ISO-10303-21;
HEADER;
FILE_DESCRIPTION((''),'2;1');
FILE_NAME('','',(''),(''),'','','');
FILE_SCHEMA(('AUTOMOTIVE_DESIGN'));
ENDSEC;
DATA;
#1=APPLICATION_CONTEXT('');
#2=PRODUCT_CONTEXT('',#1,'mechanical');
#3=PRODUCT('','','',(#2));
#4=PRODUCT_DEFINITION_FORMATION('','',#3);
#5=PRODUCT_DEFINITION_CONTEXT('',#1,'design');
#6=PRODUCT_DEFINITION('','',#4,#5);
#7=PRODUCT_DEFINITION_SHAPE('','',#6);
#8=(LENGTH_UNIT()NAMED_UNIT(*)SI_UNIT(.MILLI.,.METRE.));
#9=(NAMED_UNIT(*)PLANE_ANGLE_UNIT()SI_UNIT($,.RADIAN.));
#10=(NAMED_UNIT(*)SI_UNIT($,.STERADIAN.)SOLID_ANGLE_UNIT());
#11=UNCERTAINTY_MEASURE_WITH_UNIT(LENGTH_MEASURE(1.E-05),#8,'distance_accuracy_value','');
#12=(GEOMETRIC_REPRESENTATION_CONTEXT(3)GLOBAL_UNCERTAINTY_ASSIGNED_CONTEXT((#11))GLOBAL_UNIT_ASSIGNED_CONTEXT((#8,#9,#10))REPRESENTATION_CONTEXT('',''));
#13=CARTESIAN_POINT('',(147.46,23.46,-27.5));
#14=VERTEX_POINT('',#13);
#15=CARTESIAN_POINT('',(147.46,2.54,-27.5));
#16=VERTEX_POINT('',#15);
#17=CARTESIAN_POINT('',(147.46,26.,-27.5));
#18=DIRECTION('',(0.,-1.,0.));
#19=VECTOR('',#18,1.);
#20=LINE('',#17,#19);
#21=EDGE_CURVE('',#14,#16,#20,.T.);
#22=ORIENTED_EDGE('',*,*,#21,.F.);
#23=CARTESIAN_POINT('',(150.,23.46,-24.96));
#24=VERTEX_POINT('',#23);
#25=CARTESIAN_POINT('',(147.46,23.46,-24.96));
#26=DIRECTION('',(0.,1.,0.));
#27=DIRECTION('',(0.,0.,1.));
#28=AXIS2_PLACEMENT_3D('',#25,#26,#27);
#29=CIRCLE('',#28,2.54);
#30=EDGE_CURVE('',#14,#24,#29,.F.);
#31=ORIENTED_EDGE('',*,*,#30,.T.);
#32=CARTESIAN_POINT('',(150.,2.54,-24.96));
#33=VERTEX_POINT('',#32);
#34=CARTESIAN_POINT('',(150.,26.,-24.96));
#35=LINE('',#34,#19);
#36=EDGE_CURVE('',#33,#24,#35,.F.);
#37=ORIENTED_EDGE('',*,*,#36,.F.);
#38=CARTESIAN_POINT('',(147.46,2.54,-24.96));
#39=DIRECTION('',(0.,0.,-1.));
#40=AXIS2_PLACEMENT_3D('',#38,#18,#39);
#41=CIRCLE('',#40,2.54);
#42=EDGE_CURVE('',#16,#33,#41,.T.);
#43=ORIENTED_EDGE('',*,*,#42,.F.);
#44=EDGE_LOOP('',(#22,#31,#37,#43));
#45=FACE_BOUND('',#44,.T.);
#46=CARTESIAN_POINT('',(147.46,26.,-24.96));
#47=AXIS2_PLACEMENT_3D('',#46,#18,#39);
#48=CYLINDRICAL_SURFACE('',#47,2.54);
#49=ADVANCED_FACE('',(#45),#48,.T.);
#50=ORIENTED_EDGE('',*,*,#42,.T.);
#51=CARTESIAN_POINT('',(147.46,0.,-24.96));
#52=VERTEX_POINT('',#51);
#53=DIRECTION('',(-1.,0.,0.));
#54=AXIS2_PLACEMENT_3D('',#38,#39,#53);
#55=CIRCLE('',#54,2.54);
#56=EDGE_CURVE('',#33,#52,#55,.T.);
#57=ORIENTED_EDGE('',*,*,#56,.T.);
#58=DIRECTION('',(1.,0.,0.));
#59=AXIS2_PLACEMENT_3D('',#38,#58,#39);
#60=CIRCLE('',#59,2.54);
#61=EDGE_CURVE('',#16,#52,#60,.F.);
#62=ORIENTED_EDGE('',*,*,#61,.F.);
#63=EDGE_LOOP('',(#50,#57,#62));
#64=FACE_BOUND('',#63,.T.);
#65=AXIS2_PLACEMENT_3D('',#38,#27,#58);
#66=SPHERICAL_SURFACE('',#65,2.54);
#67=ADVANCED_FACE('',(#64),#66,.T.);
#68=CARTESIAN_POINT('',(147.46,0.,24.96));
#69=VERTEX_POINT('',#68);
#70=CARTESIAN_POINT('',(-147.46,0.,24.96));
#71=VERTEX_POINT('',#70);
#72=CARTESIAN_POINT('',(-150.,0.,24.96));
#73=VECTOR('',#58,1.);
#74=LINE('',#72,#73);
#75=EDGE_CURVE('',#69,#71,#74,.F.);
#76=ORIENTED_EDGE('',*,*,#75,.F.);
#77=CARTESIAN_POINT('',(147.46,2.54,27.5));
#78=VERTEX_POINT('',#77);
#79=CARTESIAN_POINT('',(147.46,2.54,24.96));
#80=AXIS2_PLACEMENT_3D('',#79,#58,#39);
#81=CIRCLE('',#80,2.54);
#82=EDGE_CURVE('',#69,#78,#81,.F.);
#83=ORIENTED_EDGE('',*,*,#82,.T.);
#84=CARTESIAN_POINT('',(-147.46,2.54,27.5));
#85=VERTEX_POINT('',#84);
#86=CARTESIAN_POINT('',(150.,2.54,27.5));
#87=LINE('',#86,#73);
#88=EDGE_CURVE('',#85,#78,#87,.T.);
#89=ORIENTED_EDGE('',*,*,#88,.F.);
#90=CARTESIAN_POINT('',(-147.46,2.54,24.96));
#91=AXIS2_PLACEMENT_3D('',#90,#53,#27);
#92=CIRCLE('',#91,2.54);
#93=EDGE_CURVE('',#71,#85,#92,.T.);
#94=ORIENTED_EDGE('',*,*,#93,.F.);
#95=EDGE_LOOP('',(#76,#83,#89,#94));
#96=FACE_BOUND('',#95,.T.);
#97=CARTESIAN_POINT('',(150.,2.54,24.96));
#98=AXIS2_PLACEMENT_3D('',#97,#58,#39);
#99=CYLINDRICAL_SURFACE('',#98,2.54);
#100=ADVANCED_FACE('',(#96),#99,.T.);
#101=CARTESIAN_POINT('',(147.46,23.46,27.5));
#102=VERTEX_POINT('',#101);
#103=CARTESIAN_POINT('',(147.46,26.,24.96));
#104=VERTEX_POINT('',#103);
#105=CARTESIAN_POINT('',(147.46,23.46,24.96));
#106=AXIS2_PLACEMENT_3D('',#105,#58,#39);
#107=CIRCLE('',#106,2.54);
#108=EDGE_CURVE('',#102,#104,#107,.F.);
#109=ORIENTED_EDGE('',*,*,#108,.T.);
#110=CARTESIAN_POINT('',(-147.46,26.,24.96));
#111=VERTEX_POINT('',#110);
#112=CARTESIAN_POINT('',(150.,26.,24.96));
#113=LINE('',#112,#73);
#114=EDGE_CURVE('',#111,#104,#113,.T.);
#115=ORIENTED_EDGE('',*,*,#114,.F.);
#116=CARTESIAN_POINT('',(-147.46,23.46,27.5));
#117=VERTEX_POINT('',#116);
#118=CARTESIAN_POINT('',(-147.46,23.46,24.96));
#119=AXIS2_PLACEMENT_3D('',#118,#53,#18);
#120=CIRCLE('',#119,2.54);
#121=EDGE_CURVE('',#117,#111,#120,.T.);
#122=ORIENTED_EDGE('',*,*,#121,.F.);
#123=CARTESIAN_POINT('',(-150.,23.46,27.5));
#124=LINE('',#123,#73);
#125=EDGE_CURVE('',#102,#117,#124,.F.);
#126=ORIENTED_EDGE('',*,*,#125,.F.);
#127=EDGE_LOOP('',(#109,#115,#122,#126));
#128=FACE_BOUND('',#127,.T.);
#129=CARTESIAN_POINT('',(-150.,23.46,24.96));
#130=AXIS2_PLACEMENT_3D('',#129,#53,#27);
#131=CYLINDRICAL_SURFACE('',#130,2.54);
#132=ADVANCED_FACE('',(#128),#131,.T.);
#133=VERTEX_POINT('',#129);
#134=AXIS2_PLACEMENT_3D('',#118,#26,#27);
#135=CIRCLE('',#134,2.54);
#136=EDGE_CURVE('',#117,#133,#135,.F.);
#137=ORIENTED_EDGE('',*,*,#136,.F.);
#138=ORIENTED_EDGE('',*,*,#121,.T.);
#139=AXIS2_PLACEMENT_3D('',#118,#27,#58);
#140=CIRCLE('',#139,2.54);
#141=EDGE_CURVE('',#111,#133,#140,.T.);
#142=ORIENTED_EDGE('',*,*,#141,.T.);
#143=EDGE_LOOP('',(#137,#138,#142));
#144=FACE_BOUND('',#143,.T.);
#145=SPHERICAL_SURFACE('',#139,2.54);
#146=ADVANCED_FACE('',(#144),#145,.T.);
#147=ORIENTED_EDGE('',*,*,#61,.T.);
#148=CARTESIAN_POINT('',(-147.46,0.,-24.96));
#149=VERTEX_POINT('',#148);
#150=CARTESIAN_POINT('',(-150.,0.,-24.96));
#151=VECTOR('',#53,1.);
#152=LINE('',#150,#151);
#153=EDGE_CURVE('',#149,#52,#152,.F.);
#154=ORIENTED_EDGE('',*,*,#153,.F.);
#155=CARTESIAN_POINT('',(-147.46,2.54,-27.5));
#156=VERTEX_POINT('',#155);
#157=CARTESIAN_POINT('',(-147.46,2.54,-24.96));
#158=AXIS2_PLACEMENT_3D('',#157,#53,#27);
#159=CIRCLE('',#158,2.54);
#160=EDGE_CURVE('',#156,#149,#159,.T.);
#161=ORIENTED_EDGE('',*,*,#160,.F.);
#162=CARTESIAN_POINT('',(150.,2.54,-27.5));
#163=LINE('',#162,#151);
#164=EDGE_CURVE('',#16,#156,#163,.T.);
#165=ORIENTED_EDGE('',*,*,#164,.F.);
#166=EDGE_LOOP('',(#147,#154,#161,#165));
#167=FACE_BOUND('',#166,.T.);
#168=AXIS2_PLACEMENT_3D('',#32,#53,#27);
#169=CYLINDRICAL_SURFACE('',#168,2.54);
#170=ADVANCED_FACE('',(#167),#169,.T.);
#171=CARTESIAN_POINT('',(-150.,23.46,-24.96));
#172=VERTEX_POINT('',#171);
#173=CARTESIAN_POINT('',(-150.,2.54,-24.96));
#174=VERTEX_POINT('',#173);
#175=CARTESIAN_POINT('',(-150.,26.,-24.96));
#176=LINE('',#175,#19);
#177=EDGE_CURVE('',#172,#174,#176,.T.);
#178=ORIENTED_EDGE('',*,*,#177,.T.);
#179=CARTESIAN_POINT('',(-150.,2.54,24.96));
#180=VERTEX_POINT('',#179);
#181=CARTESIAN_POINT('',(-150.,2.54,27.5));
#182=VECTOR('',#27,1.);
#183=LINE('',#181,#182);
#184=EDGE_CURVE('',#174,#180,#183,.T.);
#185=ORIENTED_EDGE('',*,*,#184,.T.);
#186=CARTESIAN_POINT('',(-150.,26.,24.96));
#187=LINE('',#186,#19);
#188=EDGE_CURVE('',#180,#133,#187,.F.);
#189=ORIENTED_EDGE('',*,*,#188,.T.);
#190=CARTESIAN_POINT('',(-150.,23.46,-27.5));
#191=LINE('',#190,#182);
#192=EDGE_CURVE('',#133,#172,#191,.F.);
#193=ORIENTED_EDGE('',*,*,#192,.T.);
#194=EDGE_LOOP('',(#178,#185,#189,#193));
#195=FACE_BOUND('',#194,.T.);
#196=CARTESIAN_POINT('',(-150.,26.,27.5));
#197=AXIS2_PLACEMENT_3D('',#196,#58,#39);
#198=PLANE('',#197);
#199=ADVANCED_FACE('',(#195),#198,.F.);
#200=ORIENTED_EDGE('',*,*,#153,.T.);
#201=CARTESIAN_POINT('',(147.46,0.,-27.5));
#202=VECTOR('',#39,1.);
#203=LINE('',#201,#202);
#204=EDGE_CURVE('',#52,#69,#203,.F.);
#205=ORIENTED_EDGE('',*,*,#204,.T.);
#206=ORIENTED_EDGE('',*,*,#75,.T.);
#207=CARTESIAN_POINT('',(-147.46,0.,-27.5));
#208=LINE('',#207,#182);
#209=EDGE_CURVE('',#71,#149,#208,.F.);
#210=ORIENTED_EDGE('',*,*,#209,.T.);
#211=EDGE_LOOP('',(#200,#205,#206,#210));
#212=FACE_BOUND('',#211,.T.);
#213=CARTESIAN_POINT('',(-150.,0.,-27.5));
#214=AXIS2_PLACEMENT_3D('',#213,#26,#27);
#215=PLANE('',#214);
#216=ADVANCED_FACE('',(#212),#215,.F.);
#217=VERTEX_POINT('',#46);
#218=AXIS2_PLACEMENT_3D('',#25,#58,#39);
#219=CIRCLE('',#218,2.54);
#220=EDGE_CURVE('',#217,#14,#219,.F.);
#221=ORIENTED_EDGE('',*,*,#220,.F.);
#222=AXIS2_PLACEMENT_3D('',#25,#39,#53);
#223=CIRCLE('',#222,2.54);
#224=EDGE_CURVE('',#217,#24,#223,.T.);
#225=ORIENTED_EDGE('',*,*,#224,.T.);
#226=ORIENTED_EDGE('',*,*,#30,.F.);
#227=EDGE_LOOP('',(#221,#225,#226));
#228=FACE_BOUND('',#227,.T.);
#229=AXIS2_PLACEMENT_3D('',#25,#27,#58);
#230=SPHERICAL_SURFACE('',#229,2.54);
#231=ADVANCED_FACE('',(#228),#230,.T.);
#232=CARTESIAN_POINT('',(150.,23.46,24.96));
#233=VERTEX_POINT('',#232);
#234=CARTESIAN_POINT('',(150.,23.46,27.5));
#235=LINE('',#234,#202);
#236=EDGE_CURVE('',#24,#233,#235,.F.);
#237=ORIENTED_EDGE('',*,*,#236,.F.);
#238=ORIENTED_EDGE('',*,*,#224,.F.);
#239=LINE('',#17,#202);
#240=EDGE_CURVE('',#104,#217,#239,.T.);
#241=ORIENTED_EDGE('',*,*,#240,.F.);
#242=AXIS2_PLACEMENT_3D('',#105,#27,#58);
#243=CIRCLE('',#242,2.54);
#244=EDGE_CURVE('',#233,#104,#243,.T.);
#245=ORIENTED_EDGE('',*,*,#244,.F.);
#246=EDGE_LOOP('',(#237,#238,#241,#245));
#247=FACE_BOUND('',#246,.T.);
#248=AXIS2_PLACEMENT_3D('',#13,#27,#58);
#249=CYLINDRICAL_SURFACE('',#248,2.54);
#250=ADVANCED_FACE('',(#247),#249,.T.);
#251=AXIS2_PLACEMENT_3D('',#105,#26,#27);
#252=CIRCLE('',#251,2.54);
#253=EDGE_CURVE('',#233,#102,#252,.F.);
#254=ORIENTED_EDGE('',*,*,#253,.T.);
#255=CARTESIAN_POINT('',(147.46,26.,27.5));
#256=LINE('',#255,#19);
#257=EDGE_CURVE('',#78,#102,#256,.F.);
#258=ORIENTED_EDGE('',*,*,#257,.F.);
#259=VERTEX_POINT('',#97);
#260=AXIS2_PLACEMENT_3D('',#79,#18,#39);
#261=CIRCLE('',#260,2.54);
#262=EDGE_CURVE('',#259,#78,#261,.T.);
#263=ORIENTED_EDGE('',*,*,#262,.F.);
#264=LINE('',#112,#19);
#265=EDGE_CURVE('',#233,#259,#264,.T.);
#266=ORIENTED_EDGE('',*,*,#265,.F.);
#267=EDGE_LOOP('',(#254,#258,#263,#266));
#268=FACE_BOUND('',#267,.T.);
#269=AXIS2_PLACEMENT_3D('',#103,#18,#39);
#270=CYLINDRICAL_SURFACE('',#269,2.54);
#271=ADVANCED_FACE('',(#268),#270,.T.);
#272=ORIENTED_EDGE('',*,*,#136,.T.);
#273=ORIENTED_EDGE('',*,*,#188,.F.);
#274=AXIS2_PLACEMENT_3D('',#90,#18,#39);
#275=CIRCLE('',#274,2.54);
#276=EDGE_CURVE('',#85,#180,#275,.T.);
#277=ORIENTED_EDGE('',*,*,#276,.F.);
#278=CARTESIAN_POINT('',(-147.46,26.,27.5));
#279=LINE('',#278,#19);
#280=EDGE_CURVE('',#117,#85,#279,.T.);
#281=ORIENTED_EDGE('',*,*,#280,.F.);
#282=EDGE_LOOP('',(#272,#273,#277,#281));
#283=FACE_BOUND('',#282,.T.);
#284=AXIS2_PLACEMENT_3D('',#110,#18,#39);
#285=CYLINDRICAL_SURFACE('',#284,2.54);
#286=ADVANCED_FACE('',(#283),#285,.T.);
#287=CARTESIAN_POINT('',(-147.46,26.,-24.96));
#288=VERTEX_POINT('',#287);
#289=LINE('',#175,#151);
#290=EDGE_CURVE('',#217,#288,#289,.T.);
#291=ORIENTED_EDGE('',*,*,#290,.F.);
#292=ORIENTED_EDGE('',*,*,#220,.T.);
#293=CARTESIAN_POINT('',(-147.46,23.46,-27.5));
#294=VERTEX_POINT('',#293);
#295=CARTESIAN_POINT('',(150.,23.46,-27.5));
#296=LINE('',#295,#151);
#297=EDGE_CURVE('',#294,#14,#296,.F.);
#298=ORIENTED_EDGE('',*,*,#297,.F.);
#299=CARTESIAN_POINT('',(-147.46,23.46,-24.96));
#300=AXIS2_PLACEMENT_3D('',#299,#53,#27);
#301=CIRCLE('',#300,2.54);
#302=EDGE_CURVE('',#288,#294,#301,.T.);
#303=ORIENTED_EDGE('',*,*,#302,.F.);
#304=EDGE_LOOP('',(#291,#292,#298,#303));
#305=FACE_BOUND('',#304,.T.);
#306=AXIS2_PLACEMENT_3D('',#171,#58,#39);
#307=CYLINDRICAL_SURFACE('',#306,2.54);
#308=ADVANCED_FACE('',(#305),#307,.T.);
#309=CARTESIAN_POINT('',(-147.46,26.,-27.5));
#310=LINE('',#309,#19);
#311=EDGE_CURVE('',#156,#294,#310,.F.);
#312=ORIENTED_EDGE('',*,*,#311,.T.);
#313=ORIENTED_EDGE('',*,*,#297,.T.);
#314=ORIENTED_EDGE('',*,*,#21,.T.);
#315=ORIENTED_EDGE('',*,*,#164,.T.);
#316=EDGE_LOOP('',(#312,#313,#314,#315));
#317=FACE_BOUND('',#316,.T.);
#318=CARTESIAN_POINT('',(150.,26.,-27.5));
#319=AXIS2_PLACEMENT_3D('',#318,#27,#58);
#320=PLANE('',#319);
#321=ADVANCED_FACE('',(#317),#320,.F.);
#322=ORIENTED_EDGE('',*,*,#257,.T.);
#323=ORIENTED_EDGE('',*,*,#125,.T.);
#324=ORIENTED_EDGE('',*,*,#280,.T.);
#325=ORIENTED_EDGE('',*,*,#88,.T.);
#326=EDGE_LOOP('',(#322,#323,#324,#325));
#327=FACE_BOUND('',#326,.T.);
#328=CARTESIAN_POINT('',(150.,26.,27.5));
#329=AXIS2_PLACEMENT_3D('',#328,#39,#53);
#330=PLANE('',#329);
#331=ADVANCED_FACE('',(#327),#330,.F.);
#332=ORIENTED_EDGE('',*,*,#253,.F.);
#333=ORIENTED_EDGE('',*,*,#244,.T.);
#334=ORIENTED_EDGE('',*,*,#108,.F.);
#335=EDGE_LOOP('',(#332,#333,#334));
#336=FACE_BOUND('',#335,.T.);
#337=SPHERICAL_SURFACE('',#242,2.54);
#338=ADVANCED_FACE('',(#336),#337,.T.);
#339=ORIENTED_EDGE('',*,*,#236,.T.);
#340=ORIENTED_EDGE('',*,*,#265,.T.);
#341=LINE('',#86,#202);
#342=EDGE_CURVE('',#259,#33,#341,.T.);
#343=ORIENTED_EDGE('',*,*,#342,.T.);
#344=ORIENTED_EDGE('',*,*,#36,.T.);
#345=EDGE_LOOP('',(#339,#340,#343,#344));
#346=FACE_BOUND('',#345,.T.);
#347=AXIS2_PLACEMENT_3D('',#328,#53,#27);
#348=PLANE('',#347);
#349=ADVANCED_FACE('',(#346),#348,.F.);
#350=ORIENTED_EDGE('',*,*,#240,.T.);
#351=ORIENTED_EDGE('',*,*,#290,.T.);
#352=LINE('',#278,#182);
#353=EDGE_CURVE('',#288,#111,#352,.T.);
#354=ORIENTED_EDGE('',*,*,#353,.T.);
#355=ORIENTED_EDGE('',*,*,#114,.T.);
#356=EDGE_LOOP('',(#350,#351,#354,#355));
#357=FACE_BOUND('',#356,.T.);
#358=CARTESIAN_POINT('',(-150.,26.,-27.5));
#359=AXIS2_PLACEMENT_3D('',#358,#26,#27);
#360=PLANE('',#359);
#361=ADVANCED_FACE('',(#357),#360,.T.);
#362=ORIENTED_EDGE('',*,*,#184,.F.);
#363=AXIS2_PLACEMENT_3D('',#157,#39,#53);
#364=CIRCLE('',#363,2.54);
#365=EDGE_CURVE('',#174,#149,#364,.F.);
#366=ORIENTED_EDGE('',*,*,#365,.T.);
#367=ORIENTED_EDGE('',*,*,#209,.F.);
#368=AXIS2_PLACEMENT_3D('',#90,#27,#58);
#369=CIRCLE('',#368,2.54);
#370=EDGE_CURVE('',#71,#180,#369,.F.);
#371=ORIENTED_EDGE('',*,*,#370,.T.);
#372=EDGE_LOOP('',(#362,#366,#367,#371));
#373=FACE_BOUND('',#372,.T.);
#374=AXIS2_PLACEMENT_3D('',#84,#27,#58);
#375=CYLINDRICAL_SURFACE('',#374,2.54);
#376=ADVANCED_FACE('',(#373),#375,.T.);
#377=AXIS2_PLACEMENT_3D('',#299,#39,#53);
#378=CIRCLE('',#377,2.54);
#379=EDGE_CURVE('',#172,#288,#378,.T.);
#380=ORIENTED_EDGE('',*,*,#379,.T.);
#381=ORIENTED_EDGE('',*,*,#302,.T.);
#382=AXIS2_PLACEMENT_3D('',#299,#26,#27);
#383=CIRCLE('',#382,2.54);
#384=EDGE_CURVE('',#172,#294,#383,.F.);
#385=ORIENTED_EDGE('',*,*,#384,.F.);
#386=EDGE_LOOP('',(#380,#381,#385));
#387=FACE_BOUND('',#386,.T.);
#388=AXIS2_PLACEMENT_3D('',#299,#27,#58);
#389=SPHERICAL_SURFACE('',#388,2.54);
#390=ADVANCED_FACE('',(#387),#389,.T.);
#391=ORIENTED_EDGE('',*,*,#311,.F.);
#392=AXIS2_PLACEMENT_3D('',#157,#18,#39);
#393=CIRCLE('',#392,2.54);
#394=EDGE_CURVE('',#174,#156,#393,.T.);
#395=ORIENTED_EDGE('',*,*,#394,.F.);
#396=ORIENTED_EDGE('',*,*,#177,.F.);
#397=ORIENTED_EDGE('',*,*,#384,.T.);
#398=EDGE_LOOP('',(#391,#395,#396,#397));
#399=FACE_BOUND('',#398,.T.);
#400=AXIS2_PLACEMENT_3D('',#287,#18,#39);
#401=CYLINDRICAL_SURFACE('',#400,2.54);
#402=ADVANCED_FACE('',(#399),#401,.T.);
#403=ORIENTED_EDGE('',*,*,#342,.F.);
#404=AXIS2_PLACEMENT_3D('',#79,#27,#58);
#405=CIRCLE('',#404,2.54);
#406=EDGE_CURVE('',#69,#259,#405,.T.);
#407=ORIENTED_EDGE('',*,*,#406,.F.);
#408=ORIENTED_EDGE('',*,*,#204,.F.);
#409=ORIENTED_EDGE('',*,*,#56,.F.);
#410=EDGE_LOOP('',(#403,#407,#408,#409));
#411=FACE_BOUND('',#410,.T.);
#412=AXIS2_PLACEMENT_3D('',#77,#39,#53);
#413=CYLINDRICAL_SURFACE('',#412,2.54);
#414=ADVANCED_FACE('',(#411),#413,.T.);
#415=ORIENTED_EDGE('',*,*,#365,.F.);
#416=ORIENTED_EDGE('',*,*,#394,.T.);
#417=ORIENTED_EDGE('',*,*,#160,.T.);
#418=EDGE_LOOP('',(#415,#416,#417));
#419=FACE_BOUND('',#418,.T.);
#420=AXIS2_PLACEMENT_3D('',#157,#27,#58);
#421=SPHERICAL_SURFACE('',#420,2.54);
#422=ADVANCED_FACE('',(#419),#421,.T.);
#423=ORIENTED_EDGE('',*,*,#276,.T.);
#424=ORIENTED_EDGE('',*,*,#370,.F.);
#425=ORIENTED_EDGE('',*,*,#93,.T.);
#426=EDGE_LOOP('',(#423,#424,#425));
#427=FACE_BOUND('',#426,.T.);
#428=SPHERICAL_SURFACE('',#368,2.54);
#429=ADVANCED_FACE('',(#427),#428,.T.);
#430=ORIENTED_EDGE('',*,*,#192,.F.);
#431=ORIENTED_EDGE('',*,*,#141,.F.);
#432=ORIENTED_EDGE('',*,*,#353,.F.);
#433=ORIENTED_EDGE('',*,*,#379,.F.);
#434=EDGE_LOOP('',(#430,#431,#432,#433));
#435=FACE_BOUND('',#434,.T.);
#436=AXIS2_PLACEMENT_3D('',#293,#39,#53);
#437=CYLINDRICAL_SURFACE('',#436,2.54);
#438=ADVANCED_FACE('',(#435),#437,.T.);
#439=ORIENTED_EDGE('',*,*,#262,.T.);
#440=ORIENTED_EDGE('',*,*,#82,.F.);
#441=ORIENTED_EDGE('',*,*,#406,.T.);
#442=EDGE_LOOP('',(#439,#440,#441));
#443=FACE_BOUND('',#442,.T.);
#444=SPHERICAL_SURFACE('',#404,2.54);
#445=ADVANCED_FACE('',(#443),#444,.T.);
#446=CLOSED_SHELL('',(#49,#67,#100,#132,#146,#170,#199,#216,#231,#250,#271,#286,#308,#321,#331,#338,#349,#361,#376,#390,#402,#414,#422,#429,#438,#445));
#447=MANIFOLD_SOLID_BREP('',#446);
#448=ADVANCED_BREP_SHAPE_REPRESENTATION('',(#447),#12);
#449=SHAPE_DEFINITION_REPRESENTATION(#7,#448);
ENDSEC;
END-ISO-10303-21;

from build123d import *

# Parameters (mm, degrees)
SKETCH1_W           = 300
SKETCH1_H           = 55
BOSS_EXTRUDE1_DEPTH = 26
FILLET1_R           = 2.54


with BuildPart() as part:
    # Sketch1 → Boss-Extrude1 (new body)
    with BuildSketch(Plane(origin=(0, 0, 0), x_dir=(1, 0, 0), z_dir=(0, 1, 0))):
        Rectangle(SKETCH1_W, SKETCH1_H)
    extrude(amount=BOSS_EXTRUDE1_DEPTH)

    # Fillet1
    fillet1_edges = [part.edges().sort_by_distance(p)[0] for p in [
        (150, 26, 0),
        (0, 26, -27.5),
        (-150, 26, 0),
        (0, 0, -27.5),
        (150, 0, 0),
        (0, 0, 27.5),
        (-150, 0, 0),
        (0, 26, 27.5),
        (-150, 13, -27.5),
        (150, 13, -27.5),
        (150, 13, 27.5),
        (-150, 13, 27.5),
    ]]
    fillet(fillet1_edges, radius=FILLET1_R)


solid = part.part
